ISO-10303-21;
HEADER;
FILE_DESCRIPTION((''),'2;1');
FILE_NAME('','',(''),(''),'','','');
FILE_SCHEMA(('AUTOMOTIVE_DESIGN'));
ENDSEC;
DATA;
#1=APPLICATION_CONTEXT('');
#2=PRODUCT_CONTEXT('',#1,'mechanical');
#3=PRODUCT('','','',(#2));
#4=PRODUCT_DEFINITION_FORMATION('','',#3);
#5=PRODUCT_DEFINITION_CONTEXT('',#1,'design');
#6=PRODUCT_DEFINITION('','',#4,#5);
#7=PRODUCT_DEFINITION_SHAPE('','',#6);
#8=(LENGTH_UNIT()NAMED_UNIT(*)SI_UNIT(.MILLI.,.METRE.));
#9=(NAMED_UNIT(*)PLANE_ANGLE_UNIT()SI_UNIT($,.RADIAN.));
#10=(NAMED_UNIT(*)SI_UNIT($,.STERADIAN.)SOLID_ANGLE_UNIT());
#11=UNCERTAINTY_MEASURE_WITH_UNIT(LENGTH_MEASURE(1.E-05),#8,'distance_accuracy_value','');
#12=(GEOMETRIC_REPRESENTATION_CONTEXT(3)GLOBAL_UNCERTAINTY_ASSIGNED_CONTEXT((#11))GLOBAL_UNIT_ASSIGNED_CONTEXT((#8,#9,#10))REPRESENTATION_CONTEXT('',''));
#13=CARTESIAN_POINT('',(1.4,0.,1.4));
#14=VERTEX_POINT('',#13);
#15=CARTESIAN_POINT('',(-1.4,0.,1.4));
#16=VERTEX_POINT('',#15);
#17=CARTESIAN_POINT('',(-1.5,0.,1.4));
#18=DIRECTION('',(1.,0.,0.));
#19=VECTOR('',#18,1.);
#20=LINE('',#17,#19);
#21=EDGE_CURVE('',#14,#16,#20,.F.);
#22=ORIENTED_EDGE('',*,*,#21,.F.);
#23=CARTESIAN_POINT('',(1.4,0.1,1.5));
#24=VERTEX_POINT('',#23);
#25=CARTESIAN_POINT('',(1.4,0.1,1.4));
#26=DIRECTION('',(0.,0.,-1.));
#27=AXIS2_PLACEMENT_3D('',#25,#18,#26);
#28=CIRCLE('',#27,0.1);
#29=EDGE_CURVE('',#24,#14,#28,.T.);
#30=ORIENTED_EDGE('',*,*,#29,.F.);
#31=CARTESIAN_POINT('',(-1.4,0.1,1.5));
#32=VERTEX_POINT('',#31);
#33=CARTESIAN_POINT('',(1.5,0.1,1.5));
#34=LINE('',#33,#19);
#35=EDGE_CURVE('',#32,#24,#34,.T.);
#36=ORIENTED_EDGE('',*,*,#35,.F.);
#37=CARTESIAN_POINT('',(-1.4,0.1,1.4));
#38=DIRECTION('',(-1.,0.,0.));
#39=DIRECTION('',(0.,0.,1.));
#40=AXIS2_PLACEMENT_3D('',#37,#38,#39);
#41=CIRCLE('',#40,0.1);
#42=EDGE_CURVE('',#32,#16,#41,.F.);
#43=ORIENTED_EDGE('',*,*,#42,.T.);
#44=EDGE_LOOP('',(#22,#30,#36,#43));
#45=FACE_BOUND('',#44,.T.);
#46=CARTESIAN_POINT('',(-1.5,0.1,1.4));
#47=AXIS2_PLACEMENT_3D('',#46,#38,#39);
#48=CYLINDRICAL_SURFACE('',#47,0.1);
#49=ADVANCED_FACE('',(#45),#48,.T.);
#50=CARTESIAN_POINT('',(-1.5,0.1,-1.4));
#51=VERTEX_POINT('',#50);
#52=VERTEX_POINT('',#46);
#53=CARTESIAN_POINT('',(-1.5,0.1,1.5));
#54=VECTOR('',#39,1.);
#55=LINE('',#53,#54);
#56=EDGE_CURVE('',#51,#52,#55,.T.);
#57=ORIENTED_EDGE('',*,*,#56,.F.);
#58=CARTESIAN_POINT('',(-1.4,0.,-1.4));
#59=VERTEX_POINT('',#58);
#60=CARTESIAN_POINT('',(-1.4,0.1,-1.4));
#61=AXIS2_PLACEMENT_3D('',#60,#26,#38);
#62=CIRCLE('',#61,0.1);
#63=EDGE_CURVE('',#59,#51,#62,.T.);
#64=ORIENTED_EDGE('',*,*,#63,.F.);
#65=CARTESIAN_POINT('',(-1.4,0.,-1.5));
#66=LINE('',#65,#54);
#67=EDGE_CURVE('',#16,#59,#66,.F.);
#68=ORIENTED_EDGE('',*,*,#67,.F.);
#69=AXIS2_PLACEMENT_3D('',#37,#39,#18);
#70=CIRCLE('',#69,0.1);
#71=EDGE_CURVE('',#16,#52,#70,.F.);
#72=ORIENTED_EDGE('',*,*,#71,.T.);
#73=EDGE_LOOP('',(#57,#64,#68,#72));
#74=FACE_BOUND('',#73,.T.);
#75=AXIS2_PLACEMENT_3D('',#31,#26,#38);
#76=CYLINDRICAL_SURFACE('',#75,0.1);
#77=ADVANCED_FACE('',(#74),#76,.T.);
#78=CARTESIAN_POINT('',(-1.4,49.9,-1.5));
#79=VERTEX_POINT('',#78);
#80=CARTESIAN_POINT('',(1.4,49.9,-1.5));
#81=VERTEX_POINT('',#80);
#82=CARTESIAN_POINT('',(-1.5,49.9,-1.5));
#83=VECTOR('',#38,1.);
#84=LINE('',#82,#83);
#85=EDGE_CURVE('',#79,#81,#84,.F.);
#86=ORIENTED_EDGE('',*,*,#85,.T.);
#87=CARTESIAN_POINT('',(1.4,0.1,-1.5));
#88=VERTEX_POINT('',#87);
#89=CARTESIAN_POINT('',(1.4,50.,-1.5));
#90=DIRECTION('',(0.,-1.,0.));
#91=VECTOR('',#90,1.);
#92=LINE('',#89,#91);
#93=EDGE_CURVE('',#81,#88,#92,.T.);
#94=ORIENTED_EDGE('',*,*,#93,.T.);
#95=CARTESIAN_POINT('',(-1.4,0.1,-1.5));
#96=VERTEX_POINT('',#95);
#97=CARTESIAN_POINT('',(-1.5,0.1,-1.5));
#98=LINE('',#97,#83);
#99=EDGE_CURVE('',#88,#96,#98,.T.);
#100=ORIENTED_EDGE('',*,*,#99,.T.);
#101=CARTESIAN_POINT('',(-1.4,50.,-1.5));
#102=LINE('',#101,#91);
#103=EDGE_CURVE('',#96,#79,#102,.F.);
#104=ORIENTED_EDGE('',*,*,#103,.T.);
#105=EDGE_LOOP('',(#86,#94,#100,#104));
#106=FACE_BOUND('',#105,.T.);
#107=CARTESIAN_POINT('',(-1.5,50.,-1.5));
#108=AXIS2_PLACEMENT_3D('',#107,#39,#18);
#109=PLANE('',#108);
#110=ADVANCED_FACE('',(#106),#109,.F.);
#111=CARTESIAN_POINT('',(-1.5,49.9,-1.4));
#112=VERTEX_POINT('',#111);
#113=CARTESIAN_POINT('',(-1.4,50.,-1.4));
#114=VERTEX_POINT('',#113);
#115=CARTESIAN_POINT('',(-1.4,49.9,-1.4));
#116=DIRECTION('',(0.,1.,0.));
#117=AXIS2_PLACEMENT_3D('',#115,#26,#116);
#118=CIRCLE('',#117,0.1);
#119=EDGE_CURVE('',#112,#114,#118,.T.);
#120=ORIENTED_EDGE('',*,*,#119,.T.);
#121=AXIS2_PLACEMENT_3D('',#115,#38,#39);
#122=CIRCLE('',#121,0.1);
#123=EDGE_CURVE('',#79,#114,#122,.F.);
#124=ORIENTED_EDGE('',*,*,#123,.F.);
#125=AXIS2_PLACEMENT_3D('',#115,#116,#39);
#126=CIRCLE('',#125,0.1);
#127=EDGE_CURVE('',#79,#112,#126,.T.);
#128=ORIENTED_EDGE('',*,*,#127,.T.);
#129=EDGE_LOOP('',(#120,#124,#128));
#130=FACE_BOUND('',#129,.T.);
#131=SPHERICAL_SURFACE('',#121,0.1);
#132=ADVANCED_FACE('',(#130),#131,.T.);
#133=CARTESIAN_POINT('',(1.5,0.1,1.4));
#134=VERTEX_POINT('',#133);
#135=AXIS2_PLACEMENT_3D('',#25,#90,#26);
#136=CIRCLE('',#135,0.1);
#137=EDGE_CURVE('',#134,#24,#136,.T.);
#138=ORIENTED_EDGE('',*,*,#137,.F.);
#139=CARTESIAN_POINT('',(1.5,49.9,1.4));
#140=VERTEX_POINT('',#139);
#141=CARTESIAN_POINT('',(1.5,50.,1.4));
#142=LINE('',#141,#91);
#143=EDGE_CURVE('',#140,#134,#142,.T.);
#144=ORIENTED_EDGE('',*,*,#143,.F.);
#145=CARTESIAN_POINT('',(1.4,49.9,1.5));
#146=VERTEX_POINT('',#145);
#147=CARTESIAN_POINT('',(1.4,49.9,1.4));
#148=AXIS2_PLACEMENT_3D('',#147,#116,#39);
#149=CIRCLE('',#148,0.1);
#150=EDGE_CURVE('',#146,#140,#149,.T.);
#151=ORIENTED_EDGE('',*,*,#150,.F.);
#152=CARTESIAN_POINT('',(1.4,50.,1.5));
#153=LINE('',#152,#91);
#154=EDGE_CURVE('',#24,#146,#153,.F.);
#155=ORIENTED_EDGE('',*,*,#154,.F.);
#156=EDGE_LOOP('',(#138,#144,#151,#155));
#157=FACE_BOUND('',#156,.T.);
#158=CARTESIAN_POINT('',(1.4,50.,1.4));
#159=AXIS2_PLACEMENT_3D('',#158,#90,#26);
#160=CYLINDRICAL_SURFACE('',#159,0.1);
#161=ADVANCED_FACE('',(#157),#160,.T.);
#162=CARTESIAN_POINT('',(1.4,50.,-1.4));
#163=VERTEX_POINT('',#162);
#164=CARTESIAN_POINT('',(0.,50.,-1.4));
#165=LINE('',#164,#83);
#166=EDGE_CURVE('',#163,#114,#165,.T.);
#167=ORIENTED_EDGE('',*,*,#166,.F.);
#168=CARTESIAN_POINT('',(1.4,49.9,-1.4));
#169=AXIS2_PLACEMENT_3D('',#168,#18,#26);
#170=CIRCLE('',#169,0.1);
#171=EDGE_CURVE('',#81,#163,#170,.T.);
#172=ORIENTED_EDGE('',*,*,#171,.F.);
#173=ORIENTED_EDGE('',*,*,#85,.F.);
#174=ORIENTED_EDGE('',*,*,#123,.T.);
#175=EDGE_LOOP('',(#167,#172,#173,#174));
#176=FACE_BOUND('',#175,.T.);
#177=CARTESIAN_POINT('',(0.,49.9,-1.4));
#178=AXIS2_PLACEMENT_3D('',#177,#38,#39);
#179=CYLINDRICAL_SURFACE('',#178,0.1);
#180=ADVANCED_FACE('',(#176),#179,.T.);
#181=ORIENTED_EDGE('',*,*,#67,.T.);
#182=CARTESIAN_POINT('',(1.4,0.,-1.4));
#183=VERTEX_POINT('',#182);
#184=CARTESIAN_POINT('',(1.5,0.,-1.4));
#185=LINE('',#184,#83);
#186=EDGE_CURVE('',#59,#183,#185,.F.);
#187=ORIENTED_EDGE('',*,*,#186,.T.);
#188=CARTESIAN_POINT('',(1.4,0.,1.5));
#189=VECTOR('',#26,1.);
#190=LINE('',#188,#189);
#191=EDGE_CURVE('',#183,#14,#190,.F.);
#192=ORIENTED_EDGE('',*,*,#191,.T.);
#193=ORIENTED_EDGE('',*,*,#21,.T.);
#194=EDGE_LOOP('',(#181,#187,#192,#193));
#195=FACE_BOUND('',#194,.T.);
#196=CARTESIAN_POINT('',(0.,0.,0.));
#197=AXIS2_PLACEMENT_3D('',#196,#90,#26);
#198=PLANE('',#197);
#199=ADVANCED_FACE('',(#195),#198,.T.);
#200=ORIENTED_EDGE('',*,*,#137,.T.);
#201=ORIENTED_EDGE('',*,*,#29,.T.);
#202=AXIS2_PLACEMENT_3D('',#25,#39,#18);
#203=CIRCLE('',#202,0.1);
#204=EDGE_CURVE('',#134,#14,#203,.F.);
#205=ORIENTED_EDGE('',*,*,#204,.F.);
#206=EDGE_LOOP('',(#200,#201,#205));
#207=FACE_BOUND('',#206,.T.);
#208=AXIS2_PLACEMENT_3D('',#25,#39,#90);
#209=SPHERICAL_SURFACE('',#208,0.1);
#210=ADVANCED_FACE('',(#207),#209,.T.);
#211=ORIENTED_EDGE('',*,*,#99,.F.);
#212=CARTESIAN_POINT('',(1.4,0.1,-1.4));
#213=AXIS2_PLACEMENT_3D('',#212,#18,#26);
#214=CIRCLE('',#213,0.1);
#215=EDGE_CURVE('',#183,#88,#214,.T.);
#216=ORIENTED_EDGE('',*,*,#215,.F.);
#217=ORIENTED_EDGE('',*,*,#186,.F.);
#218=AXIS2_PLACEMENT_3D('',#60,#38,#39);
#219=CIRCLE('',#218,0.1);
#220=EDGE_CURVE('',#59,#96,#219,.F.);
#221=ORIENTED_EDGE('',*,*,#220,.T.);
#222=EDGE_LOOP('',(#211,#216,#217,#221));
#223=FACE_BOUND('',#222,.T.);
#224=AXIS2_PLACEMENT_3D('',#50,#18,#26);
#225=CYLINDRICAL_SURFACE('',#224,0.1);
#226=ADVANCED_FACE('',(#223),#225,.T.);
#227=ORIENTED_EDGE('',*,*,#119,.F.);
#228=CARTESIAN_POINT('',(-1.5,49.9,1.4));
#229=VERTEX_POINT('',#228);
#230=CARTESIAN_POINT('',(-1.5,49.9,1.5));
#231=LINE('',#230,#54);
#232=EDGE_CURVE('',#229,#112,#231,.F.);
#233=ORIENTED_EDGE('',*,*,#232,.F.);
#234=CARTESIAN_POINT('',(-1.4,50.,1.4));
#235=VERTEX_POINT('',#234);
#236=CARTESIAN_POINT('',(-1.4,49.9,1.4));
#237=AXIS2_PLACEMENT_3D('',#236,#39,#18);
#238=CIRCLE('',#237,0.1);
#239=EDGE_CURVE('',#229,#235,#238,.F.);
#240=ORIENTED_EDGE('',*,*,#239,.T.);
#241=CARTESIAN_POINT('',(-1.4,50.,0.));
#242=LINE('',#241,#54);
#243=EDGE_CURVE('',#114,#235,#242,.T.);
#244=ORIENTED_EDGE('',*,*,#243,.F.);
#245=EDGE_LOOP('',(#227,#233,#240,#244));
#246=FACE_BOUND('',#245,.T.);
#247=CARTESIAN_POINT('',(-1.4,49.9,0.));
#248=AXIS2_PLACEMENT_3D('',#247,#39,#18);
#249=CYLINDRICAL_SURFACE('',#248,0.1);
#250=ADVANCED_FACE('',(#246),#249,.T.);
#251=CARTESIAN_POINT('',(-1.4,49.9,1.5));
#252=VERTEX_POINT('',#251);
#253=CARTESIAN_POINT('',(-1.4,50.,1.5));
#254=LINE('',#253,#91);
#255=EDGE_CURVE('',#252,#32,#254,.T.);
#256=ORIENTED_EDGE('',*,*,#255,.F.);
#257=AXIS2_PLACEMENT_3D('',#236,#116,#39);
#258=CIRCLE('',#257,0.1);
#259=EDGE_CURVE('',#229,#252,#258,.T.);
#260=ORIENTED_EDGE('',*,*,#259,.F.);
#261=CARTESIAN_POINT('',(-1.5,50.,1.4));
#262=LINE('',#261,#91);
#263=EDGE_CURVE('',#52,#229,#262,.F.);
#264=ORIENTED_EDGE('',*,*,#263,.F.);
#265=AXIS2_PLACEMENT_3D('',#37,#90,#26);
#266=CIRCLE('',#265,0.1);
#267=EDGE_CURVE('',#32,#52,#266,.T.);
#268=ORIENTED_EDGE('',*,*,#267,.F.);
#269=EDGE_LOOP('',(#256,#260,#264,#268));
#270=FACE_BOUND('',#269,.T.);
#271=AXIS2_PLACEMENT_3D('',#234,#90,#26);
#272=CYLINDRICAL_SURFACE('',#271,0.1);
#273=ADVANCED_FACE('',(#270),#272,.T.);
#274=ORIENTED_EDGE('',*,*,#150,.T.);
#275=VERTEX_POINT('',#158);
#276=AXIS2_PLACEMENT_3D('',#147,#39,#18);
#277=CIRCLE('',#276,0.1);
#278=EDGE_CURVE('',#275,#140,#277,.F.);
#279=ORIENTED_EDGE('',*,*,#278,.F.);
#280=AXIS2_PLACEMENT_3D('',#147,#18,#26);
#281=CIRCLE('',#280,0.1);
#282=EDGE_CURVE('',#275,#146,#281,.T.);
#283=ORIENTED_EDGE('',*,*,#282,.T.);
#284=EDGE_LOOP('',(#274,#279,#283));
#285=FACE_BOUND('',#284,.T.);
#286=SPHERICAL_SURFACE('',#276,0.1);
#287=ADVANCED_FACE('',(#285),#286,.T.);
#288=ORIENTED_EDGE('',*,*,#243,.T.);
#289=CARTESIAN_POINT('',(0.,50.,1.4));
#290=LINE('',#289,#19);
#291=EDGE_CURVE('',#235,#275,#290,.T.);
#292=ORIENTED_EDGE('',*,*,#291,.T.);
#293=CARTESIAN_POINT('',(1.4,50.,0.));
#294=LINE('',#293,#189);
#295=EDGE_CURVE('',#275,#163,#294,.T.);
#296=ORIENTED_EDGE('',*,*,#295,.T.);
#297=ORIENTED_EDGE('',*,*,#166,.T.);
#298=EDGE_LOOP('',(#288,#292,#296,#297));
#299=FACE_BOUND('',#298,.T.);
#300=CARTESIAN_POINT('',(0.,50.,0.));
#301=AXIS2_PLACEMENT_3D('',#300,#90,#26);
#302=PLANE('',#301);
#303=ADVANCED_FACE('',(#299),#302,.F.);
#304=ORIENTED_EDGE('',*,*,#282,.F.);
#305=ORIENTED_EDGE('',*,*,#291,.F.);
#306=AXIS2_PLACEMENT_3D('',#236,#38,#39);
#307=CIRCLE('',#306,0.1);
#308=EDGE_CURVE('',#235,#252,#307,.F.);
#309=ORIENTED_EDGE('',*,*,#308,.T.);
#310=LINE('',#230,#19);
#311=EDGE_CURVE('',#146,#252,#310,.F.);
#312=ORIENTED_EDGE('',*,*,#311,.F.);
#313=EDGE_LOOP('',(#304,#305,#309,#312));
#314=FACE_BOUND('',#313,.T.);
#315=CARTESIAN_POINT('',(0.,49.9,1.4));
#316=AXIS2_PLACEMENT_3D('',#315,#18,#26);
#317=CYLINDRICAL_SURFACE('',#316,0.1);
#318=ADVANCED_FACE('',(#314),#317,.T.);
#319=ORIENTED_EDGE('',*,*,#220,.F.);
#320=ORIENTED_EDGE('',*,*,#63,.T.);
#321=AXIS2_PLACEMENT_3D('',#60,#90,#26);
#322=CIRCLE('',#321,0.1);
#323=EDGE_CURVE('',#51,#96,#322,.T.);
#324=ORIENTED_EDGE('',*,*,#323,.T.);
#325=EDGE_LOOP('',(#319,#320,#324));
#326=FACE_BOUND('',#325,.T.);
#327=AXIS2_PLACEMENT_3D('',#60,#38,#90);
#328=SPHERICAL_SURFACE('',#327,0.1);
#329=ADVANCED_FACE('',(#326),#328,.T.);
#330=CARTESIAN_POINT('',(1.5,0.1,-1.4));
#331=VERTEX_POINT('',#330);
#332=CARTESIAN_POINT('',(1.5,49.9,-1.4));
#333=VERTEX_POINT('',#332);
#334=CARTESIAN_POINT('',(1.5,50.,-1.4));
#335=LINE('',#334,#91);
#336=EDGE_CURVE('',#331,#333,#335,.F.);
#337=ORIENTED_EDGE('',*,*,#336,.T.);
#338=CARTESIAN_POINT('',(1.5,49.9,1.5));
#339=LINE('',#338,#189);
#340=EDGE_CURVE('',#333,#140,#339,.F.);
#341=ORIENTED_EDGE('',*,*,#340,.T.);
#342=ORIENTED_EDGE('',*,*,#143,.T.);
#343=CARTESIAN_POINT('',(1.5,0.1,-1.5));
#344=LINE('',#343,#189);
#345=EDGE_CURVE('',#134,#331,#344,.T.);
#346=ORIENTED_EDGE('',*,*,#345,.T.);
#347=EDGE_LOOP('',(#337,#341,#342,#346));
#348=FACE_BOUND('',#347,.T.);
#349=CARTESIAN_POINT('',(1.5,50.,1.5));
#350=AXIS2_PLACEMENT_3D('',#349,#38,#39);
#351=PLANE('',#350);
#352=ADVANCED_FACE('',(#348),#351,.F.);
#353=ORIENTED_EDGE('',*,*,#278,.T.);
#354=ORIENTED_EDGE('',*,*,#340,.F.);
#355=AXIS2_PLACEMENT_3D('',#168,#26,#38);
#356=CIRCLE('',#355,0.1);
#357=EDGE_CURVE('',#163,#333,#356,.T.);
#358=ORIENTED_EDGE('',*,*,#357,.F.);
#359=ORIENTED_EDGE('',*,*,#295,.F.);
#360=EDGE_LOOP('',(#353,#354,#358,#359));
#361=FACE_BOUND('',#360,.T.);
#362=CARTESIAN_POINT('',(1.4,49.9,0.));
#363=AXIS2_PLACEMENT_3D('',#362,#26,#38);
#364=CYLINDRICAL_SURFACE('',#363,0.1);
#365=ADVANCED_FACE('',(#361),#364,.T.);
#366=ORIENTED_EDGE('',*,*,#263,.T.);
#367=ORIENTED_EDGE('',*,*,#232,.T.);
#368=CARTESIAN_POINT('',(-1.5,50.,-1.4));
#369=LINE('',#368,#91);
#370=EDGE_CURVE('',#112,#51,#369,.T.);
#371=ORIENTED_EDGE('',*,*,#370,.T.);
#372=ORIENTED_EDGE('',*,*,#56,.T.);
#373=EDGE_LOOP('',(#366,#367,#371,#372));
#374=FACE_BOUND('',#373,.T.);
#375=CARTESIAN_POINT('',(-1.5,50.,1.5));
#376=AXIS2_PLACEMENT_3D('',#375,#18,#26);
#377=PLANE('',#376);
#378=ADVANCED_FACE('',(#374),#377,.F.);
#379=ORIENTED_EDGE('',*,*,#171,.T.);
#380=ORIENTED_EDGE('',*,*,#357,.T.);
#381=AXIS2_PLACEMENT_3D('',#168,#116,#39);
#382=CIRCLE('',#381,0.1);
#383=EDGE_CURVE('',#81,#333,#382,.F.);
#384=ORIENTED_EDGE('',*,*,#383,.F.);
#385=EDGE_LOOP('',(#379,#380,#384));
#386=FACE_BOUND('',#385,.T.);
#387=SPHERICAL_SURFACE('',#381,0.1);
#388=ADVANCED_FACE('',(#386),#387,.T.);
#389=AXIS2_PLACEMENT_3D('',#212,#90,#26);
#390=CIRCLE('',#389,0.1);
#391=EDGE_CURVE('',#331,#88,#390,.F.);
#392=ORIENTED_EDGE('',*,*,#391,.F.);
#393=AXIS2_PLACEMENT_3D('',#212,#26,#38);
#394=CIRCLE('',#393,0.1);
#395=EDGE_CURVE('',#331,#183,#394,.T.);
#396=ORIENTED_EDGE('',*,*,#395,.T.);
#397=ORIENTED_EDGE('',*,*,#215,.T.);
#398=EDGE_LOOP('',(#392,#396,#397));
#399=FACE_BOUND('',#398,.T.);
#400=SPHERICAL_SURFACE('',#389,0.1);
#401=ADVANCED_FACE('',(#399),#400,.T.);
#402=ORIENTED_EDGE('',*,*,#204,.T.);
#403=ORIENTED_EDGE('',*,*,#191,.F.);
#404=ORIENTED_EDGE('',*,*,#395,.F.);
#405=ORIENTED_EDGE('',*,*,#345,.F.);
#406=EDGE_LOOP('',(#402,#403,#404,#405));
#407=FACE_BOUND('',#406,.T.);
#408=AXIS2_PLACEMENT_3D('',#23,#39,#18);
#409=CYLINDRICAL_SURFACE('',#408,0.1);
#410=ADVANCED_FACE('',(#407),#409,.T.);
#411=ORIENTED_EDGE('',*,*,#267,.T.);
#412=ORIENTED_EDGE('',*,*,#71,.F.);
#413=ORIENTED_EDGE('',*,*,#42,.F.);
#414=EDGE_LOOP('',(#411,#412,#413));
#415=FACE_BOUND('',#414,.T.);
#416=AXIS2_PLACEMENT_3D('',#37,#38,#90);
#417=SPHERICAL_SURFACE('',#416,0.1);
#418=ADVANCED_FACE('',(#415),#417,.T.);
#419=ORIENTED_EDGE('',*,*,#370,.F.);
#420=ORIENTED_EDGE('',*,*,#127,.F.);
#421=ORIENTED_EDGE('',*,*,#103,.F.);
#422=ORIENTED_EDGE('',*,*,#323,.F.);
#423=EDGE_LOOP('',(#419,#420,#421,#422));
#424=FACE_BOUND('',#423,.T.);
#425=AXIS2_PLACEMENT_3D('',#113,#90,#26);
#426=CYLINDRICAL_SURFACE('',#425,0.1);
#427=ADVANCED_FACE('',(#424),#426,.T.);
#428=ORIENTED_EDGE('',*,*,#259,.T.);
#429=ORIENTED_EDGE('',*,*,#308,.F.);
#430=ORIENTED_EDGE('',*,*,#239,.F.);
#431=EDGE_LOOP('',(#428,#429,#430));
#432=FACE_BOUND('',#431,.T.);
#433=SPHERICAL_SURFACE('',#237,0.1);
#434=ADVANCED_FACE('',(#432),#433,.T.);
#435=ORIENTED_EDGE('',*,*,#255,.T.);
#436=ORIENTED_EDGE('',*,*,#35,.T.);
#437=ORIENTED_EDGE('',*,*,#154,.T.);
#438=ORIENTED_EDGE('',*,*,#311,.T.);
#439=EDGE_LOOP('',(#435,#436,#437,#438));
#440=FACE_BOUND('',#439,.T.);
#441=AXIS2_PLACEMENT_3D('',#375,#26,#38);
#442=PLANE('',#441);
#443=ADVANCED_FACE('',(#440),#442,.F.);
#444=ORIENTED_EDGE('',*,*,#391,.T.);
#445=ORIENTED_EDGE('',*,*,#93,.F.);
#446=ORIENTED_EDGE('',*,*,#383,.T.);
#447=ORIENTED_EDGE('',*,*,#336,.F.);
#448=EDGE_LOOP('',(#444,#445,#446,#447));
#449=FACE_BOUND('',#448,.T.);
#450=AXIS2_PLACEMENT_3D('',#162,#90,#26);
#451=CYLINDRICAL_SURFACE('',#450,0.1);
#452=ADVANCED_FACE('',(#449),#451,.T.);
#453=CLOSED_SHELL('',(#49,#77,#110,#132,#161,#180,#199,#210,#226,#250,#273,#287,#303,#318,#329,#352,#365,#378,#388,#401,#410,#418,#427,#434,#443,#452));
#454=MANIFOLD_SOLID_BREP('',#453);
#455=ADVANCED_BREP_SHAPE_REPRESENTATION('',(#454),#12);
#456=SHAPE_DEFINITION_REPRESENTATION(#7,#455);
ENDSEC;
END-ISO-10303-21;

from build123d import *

# Parameters (mm, degrees)
ESQUISSE1_W        = 3
ESQUISSE1_H        = 3
BOSS_EXTRU_1_DEPTH = 50
CONG_1_R           = 0.1


with BuildPart() as part:
    # Esquisse1 → Boss.-Extru.1 (new body)
    with BuildSketch(Plane(origin=(0, 0, 0), x_dir=(1, 0, 0), z_dir=(0, 1, 0))):
        Rectangle(ESQUISSE1_W, ESQUISSE1_H)
    extrude(amount=BOSS_EXTRU_1_DEPTH)

    # Congé1
    cong_1_edges = [part.edges().sort_by_distance(p)[0] for p in [
        (-1.5, 50, 0),
        (0, 50, 1.5),
        (1.5, 50, 0),
        (0, 0, 1.5),
        (-1.5, 0, 0),
        (0, 0, -1.5),
        (1.5, 0, 0),
        (1.5, 25, 1.5),
        (-1.5, 25, 1.5),
        (-1.5, 25, -1.5),
        (1.5, 25, -1.5),
        (0, 50, -1.5),
    ]]
    fillet(cong_1_edges, radius=CONG_1_R)


solid = part.part
